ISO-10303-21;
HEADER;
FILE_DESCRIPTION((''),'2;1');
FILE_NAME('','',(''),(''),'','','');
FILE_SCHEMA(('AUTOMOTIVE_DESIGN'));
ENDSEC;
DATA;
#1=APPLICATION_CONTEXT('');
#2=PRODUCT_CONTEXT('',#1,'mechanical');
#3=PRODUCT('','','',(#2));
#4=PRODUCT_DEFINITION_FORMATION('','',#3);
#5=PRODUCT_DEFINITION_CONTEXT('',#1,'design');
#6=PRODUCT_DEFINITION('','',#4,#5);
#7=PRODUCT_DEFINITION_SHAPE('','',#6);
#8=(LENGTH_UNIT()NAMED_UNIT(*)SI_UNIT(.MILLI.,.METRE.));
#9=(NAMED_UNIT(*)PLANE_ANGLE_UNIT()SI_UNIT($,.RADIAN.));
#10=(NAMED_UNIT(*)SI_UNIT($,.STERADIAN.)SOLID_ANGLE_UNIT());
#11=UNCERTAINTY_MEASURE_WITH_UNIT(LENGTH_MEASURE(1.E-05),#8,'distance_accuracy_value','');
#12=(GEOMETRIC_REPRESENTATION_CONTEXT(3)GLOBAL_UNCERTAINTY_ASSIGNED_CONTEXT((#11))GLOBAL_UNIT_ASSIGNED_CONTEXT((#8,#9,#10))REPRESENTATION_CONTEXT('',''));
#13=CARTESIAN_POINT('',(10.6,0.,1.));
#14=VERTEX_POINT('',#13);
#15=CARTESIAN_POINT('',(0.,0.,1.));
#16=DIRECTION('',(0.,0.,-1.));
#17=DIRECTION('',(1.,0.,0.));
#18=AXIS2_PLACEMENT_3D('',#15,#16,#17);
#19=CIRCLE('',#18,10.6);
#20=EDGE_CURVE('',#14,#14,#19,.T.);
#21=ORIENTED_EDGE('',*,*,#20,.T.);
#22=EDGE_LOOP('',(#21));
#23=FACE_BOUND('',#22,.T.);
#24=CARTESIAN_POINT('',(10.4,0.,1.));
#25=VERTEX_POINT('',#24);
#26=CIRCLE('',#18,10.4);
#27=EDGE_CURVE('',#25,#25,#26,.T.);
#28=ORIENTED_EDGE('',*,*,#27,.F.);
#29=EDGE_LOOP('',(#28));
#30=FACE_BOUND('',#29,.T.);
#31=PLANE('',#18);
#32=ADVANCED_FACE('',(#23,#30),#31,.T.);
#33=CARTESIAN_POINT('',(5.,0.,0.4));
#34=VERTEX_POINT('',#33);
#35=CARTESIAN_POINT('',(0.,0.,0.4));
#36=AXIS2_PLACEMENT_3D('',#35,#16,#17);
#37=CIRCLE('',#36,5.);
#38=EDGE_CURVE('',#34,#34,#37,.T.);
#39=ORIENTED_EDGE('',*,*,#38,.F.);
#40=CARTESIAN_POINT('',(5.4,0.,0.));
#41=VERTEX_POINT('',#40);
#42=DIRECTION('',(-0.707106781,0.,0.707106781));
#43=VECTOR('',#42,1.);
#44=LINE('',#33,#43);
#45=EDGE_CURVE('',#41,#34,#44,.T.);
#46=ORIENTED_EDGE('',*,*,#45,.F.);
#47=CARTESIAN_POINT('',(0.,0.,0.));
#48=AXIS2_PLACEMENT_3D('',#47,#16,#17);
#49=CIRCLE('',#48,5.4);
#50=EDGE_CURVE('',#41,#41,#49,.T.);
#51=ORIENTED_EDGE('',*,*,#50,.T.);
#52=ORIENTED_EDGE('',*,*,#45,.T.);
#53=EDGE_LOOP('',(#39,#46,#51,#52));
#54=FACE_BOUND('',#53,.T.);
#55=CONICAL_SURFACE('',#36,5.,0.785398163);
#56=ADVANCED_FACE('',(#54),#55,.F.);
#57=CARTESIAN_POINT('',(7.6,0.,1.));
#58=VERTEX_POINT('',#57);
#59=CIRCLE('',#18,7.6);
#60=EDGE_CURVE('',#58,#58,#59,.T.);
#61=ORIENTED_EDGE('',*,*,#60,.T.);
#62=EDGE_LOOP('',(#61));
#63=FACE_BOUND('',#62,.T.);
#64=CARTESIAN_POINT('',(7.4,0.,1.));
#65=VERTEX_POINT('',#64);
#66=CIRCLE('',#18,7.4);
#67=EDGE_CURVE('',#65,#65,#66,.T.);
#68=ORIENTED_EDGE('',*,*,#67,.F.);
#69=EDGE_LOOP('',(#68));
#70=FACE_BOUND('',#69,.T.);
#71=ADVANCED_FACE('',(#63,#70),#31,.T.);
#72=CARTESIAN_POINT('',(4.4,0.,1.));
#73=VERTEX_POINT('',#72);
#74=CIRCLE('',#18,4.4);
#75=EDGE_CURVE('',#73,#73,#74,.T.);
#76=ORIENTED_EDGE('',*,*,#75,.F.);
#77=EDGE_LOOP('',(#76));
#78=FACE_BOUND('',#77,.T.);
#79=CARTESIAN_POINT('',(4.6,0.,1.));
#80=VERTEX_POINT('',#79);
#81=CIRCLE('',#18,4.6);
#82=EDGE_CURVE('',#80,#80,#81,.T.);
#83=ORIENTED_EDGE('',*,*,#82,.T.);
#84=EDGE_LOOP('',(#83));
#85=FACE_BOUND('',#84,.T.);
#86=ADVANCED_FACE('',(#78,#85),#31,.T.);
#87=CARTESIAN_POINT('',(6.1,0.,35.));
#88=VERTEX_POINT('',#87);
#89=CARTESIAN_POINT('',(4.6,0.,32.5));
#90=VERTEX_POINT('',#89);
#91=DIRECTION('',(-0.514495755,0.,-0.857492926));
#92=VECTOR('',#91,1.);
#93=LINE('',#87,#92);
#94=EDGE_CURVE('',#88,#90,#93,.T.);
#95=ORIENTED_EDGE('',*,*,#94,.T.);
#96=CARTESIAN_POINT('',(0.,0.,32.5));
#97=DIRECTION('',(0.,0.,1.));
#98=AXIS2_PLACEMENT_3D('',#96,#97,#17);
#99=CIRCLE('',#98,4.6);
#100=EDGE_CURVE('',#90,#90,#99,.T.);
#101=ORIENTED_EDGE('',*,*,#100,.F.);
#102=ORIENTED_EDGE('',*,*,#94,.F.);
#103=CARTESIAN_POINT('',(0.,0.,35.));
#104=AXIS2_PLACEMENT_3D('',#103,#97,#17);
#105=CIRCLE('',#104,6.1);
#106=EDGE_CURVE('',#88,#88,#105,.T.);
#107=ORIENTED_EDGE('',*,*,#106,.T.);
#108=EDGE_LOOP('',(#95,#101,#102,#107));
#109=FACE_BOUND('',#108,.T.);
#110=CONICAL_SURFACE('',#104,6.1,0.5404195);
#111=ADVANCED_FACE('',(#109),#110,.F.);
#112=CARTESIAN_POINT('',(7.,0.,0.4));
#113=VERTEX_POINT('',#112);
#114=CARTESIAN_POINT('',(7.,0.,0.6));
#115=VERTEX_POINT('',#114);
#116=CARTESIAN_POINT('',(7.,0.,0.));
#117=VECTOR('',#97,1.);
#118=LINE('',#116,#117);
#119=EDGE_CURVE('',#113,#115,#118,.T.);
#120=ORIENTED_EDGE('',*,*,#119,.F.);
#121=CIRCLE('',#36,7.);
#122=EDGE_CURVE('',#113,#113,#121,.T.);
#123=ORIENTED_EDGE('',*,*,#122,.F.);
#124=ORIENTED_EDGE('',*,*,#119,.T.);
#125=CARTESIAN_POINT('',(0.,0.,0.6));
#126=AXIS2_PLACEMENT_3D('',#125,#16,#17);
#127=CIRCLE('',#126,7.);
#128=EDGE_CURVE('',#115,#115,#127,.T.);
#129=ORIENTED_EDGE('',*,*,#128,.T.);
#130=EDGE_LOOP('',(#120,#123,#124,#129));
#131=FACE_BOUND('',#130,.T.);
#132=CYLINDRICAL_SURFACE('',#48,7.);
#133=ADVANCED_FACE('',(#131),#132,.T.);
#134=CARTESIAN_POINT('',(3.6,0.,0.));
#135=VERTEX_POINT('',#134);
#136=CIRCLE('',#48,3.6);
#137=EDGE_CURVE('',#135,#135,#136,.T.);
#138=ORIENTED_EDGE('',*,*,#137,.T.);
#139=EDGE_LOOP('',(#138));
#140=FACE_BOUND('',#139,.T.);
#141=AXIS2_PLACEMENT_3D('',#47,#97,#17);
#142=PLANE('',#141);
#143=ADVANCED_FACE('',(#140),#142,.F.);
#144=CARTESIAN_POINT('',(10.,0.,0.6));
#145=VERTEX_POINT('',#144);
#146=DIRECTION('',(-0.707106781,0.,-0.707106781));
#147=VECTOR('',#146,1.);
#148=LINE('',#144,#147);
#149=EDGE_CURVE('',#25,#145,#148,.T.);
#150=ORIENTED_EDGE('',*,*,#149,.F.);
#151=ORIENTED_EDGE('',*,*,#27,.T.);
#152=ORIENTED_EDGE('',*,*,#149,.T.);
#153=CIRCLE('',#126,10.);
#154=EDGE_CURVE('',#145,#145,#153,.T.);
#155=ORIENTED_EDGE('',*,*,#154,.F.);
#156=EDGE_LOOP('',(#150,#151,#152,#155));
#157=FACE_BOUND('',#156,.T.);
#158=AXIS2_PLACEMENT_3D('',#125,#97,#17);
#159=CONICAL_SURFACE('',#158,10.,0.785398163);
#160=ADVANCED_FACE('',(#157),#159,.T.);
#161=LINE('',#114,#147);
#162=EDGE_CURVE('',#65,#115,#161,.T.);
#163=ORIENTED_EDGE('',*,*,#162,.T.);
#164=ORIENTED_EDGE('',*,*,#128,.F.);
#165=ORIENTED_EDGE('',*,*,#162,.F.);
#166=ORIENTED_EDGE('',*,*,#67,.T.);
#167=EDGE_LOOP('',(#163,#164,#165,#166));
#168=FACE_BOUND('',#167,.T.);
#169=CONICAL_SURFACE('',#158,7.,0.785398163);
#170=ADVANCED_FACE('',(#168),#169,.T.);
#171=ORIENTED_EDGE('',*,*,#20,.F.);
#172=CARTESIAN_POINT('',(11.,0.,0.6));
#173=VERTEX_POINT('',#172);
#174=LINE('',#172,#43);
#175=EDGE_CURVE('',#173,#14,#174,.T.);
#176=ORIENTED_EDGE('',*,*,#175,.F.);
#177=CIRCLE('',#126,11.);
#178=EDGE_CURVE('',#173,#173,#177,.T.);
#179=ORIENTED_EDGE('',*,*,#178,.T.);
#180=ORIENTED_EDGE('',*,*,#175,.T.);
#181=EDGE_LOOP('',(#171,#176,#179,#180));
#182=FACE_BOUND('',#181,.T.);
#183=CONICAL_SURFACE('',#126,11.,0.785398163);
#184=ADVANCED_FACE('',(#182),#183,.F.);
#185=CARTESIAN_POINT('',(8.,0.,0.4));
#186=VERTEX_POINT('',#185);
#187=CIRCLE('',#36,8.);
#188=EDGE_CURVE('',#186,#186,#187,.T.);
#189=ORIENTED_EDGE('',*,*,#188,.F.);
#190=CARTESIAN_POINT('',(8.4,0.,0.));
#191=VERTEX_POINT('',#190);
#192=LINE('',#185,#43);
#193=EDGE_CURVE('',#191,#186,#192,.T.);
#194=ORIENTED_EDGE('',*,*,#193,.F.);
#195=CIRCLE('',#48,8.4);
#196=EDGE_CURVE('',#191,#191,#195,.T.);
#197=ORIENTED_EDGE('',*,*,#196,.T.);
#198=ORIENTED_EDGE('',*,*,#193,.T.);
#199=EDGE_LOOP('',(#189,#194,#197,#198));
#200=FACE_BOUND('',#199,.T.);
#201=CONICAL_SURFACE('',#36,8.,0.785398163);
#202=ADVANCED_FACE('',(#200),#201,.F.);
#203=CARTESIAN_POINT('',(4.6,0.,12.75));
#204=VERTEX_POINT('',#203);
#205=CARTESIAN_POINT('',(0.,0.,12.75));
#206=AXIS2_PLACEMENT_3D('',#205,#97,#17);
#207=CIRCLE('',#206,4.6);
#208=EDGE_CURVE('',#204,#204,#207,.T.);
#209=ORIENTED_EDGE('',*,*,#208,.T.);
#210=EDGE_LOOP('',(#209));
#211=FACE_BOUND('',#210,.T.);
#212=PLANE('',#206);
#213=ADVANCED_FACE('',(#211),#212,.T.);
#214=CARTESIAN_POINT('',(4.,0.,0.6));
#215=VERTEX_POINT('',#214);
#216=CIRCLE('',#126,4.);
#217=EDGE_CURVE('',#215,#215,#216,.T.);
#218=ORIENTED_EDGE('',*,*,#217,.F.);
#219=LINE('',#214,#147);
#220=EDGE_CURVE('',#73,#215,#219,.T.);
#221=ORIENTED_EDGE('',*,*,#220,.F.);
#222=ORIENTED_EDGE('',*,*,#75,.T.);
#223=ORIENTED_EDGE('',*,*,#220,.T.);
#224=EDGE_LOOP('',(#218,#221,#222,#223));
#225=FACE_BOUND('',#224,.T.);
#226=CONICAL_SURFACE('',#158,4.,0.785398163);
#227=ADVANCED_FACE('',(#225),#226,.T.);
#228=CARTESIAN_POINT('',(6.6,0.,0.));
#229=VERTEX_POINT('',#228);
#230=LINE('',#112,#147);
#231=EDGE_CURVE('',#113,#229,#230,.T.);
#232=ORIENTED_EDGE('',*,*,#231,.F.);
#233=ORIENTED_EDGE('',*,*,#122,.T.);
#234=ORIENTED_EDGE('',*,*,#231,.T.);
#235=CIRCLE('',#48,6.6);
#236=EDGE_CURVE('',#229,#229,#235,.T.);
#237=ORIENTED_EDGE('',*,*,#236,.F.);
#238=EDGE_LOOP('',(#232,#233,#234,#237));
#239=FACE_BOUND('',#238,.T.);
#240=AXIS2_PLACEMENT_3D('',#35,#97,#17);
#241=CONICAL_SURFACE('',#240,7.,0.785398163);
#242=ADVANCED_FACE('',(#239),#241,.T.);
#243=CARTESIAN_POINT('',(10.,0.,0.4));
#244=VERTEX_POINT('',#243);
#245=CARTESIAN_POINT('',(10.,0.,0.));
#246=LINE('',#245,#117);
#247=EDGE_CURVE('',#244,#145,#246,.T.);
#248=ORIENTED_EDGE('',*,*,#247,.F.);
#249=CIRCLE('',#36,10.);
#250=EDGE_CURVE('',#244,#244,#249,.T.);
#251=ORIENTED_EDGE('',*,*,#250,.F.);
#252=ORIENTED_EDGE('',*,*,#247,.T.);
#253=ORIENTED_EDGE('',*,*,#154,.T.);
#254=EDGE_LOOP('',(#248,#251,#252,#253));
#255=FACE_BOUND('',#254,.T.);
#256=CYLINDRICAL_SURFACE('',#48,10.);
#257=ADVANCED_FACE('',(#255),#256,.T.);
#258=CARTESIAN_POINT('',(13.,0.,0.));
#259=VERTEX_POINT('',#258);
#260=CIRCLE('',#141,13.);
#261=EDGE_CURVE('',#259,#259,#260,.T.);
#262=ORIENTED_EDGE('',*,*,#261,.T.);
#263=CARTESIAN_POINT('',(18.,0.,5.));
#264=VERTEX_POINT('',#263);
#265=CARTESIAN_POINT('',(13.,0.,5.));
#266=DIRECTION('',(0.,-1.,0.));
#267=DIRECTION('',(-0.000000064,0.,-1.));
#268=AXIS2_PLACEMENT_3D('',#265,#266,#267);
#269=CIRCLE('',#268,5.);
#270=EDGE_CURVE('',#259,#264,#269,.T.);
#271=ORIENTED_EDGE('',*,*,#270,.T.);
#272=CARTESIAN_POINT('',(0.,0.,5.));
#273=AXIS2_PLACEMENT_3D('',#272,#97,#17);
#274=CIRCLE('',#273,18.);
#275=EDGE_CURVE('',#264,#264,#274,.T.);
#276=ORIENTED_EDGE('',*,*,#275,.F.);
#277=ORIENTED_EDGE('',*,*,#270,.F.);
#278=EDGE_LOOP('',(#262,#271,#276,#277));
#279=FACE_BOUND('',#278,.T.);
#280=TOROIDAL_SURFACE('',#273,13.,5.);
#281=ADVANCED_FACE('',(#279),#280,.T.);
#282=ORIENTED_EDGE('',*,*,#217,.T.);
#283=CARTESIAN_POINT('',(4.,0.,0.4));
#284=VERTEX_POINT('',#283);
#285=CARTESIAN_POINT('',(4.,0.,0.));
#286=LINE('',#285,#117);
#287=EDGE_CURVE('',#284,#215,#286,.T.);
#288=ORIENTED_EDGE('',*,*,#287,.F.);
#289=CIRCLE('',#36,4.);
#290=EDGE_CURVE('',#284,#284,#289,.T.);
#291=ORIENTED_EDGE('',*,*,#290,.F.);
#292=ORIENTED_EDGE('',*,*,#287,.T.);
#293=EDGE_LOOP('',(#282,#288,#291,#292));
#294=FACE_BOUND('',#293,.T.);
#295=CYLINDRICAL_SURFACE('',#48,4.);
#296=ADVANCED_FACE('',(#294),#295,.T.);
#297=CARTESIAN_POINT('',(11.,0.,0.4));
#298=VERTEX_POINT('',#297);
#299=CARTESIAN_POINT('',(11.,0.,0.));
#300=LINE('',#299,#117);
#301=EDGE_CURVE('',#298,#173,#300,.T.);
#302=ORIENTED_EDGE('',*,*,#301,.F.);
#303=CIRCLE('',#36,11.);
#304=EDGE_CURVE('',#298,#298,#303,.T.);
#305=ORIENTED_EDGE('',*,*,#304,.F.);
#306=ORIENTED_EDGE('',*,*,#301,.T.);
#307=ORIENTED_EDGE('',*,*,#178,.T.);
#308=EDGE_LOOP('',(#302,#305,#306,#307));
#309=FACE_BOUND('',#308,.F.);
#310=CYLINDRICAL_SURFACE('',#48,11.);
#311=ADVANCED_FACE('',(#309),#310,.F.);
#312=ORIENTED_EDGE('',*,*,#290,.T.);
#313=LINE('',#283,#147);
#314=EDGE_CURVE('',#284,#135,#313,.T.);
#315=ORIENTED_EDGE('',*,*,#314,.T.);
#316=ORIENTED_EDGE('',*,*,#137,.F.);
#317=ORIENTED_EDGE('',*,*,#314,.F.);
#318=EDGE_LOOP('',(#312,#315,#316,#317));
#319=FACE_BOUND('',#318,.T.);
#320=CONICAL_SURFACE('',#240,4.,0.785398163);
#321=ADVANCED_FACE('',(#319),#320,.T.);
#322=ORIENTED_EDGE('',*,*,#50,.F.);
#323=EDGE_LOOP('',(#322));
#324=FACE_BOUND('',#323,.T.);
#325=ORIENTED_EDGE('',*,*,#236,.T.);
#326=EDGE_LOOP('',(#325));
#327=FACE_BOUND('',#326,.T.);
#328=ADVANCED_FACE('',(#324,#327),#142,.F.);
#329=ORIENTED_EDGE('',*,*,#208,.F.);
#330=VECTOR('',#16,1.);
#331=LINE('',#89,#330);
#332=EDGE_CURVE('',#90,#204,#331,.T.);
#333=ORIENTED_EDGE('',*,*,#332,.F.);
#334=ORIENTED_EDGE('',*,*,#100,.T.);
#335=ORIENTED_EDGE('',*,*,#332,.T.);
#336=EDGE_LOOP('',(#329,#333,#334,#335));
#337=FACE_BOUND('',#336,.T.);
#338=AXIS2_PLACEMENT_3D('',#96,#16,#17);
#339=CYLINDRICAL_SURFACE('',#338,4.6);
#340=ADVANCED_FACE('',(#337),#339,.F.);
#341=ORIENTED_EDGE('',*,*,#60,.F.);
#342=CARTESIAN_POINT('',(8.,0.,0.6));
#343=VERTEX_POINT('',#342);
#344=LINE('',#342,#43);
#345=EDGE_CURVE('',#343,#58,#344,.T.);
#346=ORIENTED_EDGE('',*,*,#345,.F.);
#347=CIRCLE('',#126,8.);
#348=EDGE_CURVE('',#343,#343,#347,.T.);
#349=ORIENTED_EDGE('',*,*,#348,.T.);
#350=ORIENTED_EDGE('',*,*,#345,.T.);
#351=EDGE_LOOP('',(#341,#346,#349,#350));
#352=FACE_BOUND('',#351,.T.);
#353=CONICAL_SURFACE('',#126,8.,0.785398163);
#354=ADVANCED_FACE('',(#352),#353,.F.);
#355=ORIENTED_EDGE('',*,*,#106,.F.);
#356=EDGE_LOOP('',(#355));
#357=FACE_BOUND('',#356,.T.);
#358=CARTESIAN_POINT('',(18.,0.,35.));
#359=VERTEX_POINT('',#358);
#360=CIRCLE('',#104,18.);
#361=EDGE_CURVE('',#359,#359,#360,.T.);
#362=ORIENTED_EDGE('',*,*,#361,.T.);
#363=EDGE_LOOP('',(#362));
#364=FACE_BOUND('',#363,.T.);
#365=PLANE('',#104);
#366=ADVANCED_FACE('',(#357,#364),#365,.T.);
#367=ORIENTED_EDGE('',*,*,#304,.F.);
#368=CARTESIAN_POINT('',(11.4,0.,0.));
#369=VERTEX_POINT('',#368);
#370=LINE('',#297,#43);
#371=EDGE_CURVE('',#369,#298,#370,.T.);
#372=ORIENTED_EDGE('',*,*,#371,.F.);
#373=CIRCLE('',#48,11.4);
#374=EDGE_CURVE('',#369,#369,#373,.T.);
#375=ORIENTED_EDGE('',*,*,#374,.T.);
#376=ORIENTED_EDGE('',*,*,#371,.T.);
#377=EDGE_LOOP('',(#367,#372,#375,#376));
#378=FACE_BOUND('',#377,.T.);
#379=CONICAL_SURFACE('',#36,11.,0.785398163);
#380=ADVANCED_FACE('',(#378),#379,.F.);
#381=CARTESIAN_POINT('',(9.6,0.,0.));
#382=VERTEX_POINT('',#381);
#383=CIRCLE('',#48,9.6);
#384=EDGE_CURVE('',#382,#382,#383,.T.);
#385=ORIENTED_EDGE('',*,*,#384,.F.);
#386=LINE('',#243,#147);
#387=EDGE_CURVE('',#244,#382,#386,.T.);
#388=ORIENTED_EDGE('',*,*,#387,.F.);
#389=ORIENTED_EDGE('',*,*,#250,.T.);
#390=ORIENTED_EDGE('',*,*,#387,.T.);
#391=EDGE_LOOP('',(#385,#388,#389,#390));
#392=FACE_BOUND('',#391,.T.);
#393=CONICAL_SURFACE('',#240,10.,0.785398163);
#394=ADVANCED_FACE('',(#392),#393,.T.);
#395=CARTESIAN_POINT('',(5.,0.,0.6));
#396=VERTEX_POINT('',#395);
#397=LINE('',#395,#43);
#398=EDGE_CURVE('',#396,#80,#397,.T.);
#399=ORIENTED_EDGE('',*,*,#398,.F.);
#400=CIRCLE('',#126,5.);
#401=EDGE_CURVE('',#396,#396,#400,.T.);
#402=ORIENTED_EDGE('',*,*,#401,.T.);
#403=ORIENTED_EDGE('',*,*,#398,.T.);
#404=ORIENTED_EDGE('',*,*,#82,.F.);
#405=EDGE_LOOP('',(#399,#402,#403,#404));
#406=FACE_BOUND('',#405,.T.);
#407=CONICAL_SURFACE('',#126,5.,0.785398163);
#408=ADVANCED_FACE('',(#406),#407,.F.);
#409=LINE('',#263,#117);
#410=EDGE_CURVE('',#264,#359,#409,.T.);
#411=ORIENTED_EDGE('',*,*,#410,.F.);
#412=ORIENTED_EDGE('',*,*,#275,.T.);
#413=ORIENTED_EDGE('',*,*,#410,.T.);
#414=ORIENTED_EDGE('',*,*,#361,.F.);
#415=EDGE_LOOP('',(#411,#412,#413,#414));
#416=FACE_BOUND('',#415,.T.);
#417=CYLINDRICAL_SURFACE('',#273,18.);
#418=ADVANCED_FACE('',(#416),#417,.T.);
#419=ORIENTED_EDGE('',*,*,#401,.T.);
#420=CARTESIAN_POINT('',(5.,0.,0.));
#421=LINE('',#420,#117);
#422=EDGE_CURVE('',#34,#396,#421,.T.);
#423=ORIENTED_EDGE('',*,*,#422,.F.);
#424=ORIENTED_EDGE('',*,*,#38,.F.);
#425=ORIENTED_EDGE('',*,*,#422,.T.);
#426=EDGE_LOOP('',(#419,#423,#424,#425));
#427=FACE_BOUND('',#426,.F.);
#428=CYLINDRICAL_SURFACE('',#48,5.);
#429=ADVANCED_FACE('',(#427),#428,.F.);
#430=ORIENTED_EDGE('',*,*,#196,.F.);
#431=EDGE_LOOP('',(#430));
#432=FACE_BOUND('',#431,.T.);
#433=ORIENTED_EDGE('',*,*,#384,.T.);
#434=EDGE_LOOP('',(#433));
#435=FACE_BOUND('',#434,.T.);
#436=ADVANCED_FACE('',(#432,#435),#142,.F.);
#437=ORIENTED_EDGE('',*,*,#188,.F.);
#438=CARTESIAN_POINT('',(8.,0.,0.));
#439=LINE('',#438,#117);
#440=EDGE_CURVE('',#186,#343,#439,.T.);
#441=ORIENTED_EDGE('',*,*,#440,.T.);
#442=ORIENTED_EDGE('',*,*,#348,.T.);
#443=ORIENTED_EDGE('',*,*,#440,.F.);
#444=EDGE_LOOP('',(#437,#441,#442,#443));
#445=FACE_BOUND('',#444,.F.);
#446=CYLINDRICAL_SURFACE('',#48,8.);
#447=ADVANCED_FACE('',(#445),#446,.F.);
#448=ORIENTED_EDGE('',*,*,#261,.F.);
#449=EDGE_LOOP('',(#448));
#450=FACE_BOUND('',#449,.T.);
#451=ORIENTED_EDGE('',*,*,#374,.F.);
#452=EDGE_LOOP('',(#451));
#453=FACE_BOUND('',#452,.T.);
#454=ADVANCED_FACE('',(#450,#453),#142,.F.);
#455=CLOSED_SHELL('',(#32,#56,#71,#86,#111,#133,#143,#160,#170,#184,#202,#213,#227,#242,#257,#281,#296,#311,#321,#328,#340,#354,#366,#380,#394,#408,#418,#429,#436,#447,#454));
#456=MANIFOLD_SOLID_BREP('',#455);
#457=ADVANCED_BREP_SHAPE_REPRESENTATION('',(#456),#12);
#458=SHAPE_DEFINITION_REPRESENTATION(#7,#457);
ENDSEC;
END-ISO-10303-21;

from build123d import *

# Parameters (mm, degrees)
F2_R     = 11
F2_R_2   = 10
F2_R_3   = 8
F2_R_4   = 7
F2_R_5   = 5
F2_R_6   = 4
F3_DEPTH = 1
F4_SIZE  = 0.4
F5_SIZE  = 0.4


with BuildPart() as f1:
    # F0 (on Front) → F1 (revolve)
    with BuildSketch(Plane.XZ):
        with BuildLine():
            Line((0, 12.75), (0, 0))
            Line((0, 0), (13, 0))
            ThreePointArc((13, 0), (16.535534, 1.464466), (18, 5))
            Line((18, 5), (18, 35))
            Line((18, 35), (6.1, 35))
            Line((6.1, 35), (4.6, 32.5))
            Line((4.6, 32.5), (4.6, 12.75))
            Line((4.6, 12.75), (0, 12.75))
        make_face()
    revolve(axis=Axis((0, 0, 24.334948), (0, 0, 1)))

    # F2 (on face) → F3 (cut)
    with BuildSketch(Plane(origin=(0, 0, 0), x_dir=(1, 0, 0), z_dir=(0, 0, -1))):
        Circle(F2_R)
        Circle(F2_R_2, mode=Mode.SUBTRACT)
        Circle(F2_R_3)
        Circle(F2_R_4, mode=Mode.SUBTRACT)
        Circle(F2_R_5)
        Circle(F2_R_6, mode=Mode.SUBTRACT)
    extrude(amount=-F3_DEPTH, mode=Mode.SUBTRACT)

    # F4
    f4_edges = [f1.edges().sort_by_distance(p)[0] for p in [
        (-11, 0, 0),
        (-10, 0, 0),
        (-8, 0, 0),
        (-7, 0, 0),
        (-5, 0, 0),
        (-4, 0, 0),
    ]]
    chamfer(f4_edges, length=F4_SIZE)

    # F5
    f5_edges = [f1.edges().sort_by_distance(p)[0] for p in [
        (-11, 0, 1),
        (-10, 0, 1),
        (-8, 0, 1),
        (-7, 0, 1),
        (-5, 0, 1),
        (-4, 0, 1),
    ]]
    chamfer(f5_edges, length=F5_SIZE)


solid = f1.part
